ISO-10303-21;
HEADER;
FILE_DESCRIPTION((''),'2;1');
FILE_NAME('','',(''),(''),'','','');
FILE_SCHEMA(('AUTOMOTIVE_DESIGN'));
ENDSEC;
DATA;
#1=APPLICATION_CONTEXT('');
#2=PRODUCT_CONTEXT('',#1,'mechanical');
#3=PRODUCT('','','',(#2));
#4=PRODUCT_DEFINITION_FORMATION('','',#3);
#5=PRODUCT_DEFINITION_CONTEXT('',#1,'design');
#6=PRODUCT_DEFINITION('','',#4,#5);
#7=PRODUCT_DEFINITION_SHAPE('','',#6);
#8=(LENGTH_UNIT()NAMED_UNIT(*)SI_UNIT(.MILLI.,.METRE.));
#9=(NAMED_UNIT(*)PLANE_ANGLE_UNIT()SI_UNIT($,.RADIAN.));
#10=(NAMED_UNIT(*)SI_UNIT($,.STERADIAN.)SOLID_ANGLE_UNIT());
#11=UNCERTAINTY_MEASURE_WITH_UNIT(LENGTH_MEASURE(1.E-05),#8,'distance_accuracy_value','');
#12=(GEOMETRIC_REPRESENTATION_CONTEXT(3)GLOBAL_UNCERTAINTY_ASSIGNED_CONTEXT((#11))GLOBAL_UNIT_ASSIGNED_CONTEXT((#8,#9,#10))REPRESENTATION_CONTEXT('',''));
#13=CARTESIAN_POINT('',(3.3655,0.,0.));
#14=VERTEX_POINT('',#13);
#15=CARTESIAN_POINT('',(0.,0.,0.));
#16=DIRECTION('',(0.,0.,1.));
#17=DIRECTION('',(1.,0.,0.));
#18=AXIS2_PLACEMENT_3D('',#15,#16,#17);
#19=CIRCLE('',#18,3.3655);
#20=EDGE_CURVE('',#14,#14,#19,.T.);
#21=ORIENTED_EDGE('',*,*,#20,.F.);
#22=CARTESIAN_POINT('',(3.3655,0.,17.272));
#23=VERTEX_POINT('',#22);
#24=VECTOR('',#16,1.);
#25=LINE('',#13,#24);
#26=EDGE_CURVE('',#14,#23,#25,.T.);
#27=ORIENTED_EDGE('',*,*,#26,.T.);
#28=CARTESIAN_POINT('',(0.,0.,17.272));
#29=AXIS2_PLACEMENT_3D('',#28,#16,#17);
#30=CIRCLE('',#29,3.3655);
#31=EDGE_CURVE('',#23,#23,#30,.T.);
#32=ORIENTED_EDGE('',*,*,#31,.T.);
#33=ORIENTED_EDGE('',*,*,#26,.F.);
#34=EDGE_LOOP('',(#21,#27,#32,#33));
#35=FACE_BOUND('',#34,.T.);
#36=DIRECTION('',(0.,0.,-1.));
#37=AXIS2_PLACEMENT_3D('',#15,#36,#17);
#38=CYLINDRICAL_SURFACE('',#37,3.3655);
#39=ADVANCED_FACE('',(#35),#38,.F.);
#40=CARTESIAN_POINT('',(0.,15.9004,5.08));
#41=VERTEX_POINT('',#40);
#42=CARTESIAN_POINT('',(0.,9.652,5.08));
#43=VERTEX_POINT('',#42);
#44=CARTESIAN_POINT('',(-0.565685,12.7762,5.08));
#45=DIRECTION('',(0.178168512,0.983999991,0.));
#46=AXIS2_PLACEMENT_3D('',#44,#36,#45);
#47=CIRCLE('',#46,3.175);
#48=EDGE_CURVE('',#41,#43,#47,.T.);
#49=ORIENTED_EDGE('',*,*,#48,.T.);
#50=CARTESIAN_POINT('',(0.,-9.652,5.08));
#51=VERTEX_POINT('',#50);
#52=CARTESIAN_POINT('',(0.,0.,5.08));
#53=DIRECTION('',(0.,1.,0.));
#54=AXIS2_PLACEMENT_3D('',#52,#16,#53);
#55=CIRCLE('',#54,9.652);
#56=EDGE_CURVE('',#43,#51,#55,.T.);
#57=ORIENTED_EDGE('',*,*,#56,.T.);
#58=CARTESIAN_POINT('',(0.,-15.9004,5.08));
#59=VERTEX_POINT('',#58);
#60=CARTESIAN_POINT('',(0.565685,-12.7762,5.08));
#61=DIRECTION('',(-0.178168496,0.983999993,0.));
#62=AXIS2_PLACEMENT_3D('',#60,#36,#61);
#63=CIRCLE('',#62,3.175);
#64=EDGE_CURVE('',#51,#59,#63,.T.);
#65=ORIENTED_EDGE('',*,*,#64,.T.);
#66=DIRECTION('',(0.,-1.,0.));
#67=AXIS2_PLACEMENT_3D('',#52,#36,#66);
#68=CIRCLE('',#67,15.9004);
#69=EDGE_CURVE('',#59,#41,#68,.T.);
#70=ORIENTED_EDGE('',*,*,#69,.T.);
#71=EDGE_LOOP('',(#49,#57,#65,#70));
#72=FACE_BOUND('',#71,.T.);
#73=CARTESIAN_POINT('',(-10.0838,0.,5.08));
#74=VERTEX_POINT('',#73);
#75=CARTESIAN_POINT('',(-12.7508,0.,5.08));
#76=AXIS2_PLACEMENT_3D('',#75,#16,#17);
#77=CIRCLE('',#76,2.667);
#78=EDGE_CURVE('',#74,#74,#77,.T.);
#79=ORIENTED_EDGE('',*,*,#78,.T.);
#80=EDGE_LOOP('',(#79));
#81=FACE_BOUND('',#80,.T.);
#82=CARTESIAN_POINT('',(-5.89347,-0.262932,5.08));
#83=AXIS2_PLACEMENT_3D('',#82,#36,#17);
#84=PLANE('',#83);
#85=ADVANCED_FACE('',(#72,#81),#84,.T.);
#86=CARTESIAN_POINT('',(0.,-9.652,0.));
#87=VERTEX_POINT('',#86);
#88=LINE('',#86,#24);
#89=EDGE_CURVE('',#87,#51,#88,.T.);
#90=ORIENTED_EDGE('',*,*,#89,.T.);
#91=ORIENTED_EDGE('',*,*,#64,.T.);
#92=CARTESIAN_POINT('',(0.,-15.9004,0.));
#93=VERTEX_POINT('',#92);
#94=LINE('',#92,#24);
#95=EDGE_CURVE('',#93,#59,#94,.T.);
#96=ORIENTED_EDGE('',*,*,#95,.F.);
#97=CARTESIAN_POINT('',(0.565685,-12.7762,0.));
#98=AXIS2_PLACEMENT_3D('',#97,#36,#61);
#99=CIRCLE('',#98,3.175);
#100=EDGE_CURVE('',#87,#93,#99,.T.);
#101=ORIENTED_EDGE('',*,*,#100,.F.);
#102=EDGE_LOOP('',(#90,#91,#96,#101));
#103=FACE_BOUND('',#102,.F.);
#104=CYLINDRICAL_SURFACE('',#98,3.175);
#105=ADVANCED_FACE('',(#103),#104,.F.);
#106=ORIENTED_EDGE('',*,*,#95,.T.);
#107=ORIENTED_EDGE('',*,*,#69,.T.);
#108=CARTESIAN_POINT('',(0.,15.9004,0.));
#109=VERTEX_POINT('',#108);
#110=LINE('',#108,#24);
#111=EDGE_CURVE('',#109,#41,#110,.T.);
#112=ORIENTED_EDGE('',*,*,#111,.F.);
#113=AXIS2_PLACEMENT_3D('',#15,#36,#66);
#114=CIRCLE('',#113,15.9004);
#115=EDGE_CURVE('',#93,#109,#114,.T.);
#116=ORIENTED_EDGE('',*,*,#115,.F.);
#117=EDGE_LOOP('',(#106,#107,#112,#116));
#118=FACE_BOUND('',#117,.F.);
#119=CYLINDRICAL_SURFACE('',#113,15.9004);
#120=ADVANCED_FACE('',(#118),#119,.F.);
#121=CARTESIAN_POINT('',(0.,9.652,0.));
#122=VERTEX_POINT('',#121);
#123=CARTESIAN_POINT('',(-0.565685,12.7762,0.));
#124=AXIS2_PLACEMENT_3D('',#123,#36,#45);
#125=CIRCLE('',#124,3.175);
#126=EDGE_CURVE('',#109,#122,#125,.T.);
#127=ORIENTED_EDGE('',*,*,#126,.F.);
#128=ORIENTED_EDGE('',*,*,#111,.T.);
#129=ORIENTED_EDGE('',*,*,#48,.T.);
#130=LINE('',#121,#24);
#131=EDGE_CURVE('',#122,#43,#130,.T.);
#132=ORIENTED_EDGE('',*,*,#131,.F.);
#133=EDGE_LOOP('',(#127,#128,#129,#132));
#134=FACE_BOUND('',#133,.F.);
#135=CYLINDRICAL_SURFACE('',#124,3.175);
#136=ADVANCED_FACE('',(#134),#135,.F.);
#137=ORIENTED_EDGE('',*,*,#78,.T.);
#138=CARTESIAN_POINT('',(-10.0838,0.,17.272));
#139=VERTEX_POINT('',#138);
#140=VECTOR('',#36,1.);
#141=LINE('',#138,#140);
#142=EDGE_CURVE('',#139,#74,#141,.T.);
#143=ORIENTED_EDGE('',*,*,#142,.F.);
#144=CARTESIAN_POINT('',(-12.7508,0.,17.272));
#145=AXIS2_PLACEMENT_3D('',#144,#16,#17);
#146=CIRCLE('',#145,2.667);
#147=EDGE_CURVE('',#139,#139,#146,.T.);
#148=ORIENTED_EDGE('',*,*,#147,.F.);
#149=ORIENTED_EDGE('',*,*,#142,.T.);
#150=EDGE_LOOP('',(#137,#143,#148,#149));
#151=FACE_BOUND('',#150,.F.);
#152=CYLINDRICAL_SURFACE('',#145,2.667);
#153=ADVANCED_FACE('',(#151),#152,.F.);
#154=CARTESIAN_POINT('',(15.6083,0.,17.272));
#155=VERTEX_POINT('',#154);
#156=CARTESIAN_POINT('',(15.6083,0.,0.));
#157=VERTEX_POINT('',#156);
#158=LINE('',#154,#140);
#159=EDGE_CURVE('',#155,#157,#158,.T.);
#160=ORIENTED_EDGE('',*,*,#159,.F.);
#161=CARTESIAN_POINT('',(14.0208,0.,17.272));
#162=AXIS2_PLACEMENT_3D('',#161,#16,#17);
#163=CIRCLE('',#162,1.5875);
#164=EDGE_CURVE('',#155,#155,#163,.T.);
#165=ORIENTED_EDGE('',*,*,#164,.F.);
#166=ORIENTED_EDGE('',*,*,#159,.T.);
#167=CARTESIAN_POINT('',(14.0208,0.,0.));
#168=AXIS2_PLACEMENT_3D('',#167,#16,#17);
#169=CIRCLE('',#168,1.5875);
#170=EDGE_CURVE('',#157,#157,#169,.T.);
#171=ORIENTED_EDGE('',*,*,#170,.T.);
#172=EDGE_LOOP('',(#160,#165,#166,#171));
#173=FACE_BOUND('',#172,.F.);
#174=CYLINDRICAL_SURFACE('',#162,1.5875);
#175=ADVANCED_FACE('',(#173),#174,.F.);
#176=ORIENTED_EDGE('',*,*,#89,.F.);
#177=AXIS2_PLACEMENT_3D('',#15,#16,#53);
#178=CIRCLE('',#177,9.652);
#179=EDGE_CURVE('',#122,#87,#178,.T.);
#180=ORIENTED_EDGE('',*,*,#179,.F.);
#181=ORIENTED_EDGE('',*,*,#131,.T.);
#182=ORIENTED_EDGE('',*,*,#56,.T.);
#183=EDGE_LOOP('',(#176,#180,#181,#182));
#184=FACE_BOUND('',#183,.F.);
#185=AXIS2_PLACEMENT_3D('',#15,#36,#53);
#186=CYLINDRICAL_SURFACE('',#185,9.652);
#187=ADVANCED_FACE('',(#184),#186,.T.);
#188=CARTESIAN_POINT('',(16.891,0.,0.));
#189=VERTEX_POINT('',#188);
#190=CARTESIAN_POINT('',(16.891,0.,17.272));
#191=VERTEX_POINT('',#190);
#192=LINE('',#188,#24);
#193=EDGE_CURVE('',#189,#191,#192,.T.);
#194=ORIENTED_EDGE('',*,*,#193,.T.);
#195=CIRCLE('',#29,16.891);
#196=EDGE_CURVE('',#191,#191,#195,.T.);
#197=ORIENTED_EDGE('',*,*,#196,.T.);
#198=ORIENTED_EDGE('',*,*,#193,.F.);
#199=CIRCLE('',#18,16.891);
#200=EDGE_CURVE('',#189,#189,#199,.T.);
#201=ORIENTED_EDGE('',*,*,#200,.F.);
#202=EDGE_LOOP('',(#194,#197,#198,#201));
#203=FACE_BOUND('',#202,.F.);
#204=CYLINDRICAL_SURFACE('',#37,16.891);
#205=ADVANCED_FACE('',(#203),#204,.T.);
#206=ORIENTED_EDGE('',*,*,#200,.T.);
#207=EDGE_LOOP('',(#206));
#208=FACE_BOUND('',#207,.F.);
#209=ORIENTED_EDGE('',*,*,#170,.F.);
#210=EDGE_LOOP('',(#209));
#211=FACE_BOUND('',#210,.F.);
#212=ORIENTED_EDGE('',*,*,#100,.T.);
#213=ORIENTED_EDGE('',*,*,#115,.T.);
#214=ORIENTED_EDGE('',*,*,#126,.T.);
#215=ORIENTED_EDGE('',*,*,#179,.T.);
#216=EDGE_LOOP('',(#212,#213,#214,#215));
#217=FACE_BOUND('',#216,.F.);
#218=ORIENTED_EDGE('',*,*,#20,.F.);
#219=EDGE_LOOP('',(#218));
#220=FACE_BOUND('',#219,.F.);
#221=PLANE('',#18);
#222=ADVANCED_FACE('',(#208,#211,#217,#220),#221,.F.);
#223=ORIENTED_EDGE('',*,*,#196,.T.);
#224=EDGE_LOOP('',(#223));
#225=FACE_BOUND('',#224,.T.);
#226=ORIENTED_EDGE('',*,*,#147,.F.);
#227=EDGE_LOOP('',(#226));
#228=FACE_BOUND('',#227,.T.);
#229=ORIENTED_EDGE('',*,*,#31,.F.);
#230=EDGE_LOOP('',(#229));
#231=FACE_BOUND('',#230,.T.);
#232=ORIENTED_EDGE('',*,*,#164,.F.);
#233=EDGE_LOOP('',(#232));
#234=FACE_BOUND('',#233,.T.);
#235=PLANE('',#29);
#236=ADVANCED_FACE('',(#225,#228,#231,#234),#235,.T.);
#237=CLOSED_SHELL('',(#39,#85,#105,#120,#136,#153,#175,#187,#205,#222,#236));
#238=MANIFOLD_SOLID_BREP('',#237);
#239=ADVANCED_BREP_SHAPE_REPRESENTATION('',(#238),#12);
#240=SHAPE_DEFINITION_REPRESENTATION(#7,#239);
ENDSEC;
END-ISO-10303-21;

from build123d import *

# Parameters (mm, degrees)
F0_R     = 16.891
F0_R_2   = 3.3655
F1_DEPTH = 17.272
F2_R     = 1.5875
F2_R_2   = 2.667
F3_DEPTH = 25.4
F5_DEPTH = 5.08


with BuildPart() as f1:
    # F0 (on Top) → F1 (new body)
    with BuildSketch(Plane.XY):
        Circle(F0_R)
        Circle(F0_R_2, mode=Mode.SUBTRACT)
    extrude(amount=F1_DEPTH)

    # F2 (on face) → F3 (cut)
    with BuildSketch(Plane.XY.offset(17.272)):
        with Locations((14.0208, 0)):
            Circle(F2_R)
        with Locations((-12.7508, 0)):
            Circle(F2_R_2)
    extrude(amount=-F3_DEPTH, mode=Mode.SUBTRACT)

    # F4 (on face) → F5 (cut)
    with BuildSketch(Plane(origin=(0, 0, 0), x_dir=(1, 0, 0), z_dir=(0, 0, -1))):
        with BuildLine():
            ThreePointArc((0, -9.652), (-9.652, 0), (0, 9.652))
            ThreePointArc((0, 9.652), (3.740685, 12.7762), (0, 15.9004))
            ThreePointArc((0, 15.9004), (-15.9004, 0), (0, -15.9004))
            ThreePointArc((0, -15.9004), (2.609315, -12.7762), (0, -9.652))
        make_face()
    extrude(amount=-F5_DEPTH, mode=Mode.SUBTRACT)


solid = f1.part
